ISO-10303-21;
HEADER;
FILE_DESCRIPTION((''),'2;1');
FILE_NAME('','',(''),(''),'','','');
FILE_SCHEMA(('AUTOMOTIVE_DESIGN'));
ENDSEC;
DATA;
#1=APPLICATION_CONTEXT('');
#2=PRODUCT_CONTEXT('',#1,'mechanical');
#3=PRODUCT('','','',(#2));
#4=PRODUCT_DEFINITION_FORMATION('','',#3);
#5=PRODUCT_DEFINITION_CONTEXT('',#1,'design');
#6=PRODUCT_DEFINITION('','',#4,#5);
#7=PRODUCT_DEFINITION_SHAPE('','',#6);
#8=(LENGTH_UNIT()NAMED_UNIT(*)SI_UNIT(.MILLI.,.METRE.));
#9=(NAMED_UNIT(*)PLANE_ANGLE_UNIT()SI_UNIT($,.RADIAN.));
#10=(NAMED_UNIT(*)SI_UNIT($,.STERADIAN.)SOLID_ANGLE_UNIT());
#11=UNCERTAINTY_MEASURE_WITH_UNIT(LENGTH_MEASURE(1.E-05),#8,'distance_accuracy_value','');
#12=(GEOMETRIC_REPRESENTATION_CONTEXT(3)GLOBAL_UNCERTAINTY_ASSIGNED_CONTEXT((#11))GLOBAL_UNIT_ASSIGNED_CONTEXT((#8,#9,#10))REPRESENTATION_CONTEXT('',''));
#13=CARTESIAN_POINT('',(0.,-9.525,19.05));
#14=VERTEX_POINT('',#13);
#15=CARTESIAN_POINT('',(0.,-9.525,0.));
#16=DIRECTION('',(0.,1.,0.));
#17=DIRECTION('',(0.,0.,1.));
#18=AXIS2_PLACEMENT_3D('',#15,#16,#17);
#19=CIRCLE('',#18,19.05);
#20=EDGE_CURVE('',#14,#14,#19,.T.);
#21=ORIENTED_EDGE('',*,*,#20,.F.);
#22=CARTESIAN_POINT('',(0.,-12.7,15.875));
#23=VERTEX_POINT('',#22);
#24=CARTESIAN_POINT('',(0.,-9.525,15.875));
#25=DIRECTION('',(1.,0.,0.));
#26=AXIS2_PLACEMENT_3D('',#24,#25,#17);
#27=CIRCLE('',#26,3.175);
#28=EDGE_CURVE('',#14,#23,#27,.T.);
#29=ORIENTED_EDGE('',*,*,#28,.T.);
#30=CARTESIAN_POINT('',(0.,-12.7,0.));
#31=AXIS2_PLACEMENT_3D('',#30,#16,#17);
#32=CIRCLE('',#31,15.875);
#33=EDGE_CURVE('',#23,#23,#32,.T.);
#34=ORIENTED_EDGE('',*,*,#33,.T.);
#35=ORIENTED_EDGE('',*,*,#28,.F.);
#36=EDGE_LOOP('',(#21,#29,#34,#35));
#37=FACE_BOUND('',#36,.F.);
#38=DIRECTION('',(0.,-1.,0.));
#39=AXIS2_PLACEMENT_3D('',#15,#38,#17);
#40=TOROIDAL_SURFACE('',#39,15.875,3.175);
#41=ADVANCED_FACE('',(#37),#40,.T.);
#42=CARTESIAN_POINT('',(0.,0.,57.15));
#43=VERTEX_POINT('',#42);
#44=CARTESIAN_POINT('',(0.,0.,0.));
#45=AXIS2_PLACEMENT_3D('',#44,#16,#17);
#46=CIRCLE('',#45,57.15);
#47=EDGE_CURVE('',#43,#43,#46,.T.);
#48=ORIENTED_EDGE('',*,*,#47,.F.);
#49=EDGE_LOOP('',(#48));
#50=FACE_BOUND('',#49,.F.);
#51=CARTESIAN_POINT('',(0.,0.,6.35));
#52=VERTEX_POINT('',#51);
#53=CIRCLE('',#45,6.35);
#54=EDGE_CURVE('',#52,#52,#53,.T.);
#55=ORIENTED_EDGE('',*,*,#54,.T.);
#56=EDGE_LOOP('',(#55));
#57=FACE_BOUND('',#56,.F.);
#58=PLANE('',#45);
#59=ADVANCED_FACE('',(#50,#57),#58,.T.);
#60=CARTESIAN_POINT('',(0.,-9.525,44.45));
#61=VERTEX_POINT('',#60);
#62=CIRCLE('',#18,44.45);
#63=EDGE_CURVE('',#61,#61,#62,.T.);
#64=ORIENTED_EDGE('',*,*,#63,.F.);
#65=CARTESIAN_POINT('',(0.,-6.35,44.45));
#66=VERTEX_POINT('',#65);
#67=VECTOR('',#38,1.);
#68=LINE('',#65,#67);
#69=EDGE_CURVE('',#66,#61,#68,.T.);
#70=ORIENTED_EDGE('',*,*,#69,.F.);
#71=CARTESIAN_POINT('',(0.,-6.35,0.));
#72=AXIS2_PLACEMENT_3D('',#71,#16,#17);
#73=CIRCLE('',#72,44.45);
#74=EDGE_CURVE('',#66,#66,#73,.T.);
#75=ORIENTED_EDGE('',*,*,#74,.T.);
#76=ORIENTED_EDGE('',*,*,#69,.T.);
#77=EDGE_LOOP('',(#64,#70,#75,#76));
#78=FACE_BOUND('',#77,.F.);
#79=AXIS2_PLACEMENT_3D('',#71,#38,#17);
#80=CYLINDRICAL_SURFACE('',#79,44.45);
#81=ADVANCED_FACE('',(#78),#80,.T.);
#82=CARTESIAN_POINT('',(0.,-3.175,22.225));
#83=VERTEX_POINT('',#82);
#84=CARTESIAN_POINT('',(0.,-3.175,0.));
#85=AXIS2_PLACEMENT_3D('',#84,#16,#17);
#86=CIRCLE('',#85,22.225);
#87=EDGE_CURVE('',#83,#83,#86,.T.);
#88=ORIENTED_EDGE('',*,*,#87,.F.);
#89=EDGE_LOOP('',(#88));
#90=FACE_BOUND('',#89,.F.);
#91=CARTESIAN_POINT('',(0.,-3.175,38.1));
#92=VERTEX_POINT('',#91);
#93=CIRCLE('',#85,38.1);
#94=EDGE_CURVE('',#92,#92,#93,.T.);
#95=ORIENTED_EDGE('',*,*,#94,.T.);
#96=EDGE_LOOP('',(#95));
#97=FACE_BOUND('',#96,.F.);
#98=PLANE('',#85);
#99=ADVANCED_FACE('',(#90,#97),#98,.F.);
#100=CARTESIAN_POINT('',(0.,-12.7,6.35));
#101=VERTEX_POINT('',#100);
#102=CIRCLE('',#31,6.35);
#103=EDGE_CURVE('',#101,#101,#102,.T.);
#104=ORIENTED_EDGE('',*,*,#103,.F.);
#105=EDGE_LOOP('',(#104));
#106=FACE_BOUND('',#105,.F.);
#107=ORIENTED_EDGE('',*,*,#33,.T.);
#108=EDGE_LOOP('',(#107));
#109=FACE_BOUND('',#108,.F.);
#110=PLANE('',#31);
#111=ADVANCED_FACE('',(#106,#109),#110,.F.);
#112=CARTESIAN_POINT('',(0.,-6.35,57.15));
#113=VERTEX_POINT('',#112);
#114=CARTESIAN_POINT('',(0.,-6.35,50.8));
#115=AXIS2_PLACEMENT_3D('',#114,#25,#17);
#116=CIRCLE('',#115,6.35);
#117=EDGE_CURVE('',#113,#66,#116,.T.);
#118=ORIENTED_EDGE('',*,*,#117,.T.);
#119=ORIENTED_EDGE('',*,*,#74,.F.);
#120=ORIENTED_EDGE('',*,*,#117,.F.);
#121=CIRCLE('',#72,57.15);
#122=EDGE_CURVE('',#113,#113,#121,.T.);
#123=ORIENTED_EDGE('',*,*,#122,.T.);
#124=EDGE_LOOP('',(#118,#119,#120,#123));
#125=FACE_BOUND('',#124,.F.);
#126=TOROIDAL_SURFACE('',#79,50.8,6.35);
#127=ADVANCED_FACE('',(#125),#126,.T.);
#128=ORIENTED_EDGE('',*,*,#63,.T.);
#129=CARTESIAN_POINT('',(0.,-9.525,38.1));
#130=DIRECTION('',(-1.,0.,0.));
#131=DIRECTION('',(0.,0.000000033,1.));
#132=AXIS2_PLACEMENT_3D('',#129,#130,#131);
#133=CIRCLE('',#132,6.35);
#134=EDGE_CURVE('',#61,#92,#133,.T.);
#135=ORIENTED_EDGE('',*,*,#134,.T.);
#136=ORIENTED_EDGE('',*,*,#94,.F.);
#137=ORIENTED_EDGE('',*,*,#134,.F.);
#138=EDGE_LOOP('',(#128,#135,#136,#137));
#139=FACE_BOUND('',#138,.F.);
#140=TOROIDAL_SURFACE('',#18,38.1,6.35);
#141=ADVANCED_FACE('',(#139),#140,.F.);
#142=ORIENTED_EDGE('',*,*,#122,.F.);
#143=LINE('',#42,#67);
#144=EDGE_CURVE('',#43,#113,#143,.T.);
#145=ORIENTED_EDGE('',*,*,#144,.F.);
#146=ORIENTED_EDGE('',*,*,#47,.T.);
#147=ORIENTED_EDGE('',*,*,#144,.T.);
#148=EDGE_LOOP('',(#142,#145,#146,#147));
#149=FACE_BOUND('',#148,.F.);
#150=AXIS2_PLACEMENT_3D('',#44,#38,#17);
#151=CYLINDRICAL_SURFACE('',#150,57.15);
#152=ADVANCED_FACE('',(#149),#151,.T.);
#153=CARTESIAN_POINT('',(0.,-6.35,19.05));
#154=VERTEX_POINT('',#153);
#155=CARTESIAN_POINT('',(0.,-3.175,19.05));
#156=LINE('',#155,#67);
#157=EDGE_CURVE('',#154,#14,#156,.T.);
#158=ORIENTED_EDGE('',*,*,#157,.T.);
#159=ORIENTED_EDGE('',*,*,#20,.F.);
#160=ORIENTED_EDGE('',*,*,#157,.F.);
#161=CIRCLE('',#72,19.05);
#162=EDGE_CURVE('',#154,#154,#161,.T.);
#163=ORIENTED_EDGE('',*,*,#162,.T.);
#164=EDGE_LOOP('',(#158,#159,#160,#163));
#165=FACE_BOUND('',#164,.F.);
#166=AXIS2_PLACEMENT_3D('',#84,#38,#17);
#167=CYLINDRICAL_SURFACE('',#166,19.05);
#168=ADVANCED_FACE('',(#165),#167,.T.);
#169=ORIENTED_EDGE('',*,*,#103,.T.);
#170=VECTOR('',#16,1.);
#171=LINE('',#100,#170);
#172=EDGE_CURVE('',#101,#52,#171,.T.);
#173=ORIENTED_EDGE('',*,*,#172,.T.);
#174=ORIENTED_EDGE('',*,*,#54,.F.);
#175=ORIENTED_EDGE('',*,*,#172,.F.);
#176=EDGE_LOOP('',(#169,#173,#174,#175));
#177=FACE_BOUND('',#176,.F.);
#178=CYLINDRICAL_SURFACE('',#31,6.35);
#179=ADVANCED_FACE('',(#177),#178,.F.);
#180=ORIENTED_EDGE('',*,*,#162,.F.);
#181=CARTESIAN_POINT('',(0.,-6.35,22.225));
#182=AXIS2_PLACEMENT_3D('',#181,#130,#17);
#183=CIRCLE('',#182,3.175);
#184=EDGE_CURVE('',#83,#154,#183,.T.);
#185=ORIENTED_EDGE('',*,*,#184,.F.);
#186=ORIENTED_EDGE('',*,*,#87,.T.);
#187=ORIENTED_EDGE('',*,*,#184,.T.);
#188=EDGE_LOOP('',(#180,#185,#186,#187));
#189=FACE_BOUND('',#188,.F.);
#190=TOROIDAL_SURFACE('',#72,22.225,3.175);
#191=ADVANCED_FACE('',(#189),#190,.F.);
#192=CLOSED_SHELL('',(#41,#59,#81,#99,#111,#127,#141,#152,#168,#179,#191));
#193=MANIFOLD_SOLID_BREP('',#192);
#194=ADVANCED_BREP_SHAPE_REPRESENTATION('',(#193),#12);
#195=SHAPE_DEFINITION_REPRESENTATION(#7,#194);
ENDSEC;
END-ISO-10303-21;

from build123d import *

# Parameters (mm, degrees)
F2_R = 3.175


with BuildPart() as f1:
    # F0 (on Right) → F1 (revolve)
    with BuildSketch(Plane.YZ):
        with BuildLine():
            Line((-12.7, 6.35), (0, 6.35))
            Line((0, 6.35), (0, 57.15))
            Line((0, 57.15), (-6.35, 57.15))
            ThreePointArc((-6.35, 57.15), (-12.7, 50.8), (-6.35, 44.45))
            Line((-6.35, 44.45), (-9.525, 44.45))
            ThreePointArc((-9.525, 44.45), (-5.034872, 42.590128), (-3.175, 38.1))
            Line((-3.175, 38.1), (-3.175, 19.05))
            Line((-3.175, 19.05), (-12.7, 19.05))
            Line((-12.7, 19.05), (-12.7, 6.35))
        make_face()
    revolve(axis=Axis((0, 10.707394, 0), (0, 1, 0)))

    # F2
    f2_edges = [f1.edges().sort_by_distance(p)[0] for p in [
        (0, -3.175, -19.05),
        (0, -12.7, -19.05),
    ]]
    fillet(f2_edges, radius=F2_R)


solid = f1.part
